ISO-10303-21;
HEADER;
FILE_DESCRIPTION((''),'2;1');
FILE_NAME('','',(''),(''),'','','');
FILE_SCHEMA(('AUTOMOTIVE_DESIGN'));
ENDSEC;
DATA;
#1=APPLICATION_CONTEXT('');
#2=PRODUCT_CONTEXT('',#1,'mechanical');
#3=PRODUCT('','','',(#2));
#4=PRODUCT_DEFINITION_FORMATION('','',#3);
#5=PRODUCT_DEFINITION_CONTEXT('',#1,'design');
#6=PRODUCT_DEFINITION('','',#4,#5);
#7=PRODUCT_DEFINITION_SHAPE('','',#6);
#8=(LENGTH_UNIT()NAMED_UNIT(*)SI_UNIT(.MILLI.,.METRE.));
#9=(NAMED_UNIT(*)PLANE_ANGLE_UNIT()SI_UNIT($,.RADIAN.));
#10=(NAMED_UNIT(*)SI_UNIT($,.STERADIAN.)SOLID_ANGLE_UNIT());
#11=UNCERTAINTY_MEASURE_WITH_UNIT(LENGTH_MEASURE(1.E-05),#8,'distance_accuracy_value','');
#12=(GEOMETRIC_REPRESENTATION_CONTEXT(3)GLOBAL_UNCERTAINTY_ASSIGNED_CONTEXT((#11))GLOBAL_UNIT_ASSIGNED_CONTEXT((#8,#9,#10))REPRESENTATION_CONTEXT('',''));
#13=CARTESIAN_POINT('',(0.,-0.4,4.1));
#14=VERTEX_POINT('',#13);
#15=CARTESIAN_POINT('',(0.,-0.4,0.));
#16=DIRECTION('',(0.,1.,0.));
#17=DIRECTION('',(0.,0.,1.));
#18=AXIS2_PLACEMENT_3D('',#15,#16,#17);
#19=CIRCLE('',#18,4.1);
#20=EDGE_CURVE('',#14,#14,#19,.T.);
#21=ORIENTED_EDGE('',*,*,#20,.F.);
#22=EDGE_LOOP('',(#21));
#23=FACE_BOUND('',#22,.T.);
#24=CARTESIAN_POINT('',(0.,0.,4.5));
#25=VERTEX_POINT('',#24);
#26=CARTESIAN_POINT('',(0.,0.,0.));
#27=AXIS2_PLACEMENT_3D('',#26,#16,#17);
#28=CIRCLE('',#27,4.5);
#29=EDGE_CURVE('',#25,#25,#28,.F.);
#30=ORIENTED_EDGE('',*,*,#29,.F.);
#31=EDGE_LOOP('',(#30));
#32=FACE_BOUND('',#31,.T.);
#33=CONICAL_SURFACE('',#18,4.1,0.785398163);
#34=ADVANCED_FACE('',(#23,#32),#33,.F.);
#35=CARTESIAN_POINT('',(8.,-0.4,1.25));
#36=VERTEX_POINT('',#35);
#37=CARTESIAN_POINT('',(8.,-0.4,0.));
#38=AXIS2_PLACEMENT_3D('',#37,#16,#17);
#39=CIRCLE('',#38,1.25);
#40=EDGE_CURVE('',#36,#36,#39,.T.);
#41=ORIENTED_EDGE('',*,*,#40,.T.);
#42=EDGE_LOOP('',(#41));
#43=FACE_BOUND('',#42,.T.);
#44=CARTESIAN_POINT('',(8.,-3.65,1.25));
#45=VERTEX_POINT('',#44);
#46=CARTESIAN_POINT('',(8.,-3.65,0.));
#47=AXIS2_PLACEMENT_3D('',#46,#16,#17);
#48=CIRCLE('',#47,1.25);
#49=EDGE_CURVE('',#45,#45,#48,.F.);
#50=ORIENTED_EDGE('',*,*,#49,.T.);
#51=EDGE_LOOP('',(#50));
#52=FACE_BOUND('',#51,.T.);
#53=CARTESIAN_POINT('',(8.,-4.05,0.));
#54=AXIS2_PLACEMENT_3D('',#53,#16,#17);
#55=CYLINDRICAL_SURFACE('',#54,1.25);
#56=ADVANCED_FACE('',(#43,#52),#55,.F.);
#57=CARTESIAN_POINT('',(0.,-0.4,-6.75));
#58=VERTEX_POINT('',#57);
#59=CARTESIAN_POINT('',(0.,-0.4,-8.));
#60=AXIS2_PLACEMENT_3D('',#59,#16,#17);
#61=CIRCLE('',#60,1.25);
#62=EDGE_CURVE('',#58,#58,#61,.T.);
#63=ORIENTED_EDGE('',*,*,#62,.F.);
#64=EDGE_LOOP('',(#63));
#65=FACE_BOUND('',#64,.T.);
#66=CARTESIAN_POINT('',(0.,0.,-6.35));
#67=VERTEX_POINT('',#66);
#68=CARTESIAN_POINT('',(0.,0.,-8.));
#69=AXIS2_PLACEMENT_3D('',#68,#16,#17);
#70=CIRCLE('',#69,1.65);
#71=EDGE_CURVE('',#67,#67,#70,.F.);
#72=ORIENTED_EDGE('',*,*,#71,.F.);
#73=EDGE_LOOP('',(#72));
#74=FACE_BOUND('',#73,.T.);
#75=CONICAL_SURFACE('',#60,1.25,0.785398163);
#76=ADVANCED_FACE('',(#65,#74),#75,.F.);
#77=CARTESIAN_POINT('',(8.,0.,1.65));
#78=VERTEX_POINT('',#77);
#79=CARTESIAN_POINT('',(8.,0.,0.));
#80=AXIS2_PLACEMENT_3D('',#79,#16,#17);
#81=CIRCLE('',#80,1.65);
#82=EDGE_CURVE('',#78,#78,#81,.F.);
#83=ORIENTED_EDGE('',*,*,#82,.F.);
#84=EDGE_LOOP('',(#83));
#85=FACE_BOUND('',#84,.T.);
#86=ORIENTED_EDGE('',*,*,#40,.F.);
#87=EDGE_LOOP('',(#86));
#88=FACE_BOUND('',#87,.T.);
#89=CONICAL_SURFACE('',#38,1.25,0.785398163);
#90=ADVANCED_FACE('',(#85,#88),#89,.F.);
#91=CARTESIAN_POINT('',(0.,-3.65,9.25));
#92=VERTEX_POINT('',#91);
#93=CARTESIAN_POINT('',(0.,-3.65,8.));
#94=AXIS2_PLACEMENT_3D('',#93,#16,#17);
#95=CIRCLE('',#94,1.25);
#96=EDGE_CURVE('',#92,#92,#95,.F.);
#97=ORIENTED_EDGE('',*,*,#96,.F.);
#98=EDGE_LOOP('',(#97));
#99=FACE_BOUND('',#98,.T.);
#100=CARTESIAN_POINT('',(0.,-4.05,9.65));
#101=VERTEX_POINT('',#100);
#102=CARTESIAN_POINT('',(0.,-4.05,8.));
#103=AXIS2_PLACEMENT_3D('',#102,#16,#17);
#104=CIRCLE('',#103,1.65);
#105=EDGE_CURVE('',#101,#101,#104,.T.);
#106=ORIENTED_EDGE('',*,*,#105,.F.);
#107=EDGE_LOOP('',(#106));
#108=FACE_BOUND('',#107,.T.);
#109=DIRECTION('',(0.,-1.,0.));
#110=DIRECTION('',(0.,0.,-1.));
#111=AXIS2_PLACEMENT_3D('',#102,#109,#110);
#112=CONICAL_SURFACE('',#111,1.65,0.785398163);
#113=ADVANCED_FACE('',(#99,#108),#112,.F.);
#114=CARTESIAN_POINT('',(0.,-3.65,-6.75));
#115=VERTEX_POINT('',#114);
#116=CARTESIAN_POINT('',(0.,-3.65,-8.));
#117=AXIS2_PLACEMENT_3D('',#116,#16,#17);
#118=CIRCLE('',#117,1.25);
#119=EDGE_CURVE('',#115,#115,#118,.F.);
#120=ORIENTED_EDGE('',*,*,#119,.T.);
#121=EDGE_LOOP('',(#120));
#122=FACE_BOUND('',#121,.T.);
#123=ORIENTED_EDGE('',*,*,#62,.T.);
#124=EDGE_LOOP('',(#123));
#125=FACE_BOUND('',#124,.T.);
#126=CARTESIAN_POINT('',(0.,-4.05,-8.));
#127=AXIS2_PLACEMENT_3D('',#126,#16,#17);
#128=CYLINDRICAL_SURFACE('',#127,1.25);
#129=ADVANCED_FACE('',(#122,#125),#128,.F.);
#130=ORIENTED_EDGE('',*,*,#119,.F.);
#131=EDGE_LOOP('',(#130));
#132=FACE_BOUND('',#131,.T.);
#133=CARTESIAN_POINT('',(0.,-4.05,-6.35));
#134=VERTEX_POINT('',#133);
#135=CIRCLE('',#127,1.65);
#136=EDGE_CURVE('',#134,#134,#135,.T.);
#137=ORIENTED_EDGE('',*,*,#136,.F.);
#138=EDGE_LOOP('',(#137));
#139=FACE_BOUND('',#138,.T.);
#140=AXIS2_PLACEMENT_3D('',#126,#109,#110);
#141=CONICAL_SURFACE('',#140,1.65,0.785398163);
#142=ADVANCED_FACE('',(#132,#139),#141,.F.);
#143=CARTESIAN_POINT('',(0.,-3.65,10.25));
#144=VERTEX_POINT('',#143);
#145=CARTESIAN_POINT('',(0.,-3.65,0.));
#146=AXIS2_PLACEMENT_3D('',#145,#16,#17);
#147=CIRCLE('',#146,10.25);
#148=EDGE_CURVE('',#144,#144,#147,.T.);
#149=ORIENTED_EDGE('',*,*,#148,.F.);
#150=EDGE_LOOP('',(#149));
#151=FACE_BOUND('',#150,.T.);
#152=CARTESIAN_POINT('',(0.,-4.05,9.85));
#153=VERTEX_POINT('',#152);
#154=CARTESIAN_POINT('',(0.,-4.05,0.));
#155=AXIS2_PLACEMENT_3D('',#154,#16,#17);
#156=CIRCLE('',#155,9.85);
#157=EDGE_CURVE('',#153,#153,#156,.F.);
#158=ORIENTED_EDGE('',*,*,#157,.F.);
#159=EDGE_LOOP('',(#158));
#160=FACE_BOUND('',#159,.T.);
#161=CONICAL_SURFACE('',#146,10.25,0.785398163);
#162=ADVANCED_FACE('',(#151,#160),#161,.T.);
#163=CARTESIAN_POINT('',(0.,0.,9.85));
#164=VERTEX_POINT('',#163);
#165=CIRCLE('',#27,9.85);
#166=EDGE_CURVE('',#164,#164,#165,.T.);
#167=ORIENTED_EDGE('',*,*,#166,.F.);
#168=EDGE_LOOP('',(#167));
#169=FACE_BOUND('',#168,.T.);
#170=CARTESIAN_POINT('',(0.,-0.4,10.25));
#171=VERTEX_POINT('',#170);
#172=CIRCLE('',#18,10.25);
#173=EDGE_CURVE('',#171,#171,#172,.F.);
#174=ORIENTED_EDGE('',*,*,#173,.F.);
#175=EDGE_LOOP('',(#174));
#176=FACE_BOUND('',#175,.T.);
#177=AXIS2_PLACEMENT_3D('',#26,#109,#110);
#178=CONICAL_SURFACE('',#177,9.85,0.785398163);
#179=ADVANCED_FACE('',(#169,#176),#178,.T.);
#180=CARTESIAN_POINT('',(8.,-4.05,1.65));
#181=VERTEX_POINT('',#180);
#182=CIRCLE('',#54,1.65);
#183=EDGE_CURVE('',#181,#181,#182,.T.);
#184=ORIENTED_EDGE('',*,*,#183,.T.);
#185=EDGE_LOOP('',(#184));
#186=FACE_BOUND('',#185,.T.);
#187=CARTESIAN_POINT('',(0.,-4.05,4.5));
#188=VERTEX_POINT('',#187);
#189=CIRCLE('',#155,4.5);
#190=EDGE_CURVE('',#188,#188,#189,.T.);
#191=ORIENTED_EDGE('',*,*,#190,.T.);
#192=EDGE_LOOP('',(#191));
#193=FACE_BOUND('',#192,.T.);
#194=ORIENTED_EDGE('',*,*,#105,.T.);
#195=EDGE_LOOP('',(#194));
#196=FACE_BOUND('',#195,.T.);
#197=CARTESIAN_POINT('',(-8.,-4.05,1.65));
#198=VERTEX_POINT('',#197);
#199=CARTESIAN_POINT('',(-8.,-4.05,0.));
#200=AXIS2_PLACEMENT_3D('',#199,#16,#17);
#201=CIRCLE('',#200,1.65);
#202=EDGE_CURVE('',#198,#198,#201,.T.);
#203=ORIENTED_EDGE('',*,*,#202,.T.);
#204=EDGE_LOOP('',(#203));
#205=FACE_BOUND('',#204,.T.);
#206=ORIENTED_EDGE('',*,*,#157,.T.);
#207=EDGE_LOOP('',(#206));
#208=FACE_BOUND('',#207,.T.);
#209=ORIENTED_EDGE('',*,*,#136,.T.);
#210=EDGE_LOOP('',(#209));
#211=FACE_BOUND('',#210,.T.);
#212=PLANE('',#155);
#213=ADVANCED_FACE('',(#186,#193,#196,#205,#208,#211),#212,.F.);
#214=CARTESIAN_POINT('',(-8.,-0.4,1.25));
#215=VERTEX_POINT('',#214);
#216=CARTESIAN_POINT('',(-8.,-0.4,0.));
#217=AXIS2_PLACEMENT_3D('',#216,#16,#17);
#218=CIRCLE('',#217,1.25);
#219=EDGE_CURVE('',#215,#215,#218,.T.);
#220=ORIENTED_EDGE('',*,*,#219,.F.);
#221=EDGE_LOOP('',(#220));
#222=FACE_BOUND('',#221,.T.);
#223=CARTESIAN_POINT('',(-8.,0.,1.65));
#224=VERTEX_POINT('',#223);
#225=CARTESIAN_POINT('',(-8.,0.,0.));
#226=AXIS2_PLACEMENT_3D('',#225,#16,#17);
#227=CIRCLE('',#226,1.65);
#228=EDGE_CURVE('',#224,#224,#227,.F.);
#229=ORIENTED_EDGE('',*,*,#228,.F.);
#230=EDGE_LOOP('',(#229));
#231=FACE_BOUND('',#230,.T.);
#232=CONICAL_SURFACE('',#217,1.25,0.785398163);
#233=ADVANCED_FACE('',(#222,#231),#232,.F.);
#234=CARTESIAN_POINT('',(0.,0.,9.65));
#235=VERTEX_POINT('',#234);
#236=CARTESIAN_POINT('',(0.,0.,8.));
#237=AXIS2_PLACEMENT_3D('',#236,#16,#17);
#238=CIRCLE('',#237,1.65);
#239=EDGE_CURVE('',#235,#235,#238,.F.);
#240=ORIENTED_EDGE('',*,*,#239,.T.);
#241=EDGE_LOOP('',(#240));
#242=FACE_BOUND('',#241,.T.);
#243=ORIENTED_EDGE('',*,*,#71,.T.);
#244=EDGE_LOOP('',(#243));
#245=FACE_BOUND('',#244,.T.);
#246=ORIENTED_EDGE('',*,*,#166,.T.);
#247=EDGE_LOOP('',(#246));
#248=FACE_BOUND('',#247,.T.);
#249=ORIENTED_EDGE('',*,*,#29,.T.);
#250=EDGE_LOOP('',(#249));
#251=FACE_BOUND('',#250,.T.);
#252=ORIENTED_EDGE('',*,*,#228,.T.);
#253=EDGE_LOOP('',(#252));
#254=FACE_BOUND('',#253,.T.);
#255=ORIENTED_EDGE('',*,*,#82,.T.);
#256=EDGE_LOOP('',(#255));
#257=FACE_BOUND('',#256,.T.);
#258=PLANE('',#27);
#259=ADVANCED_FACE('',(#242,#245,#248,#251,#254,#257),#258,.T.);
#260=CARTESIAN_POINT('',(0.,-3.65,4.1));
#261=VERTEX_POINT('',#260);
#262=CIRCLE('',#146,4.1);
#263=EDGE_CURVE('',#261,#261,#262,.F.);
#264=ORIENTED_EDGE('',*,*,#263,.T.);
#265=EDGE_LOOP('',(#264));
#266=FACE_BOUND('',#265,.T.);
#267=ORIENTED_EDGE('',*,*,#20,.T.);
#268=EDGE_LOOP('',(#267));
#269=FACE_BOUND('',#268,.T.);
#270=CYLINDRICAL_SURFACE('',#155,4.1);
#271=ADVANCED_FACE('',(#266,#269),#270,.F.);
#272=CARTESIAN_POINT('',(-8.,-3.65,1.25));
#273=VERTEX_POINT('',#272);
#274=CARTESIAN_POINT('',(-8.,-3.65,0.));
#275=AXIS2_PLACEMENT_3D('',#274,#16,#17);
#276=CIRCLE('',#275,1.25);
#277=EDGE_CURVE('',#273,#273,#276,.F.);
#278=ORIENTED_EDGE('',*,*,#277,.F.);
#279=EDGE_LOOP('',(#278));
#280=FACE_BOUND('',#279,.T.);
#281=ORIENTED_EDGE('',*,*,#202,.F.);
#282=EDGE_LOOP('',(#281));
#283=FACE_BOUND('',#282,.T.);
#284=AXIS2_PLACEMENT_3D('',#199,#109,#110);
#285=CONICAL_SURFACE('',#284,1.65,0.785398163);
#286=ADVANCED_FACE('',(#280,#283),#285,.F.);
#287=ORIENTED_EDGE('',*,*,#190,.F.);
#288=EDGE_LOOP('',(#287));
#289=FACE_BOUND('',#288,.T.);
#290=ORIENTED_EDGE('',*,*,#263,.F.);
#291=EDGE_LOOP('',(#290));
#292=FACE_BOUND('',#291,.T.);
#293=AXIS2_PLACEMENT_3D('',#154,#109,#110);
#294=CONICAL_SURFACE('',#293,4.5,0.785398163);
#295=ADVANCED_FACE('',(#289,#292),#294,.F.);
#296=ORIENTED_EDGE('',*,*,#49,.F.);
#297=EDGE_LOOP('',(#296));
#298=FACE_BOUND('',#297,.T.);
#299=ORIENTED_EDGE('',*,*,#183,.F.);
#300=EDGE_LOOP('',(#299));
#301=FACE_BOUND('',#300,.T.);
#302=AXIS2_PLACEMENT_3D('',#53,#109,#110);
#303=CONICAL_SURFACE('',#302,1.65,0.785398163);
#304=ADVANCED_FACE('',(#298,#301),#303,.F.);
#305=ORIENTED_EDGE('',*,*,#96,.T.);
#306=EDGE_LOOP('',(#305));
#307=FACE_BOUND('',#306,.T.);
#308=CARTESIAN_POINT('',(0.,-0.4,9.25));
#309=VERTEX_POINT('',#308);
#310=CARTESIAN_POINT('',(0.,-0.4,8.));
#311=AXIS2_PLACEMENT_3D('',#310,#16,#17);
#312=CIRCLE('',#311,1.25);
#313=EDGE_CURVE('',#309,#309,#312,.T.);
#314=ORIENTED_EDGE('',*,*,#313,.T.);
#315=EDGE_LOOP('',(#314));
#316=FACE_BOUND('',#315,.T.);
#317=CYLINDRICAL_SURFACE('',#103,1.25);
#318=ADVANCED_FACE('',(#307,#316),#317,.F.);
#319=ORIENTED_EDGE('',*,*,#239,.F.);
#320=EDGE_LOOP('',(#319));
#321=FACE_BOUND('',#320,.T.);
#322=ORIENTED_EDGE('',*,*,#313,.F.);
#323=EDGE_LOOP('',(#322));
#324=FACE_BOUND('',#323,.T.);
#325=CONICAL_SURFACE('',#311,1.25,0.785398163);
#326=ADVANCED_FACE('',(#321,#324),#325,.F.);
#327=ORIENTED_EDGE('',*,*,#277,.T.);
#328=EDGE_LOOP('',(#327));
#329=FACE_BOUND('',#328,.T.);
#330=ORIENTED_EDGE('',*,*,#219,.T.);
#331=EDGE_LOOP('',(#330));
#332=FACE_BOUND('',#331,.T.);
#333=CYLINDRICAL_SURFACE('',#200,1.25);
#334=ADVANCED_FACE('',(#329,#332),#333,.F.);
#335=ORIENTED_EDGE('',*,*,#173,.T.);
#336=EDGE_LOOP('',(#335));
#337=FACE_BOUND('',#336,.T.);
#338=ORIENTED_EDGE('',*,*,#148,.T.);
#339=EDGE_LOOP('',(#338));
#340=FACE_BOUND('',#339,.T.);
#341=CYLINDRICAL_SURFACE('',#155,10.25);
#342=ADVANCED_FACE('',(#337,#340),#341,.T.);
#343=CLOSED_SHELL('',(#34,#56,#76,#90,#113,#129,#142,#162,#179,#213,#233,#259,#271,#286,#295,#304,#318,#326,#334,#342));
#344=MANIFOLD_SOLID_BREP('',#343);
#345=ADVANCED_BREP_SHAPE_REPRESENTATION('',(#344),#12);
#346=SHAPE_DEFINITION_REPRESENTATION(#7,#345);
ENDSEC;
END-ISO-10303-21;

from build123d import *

# Parameters (mm, degrees)
SKETCH1_R           = 10.25
SKETCH1_R_2         = 4.1
BOSS_EXTRUDE1_DEPTH = 4.05
SKETCH4_R           = 1.25
CUT_EXTRUDE1_DEPTH  = 5.05
CIRPATTERN1_COUNT   = 4
CHAMFER1_SIZE       = 0.4


with BuildPart() as part:
    # Sketch1 → Boss-Extrude1 (new body)
    with BuildSketch(Plane(origin=(0, 0, 0), x_dir=(1, 0, 0), z_dir=(0, 1, 0))):
        Circle(SKETCH1_R)
        Circle(SKETCH1_R_2, mode=Mode.SUBTRACT)
    extrude(amount=-BOSS_EXTRUDE1_DEPTH)

    # Sketch4 → Cut-Extrude1 (cut, through all)
    with BuildSketch(Plane(origin=(0, 0, 0), x_dir=(1, 0, 0), z_dir=(0, 1, 0))):
        with Locations((0, 8)):
            Circle(SKETCH4_R)
    cut_extrude1 = extrude(amount=-CUT_EXTRUDE1_DEPTH, mode=Mode.SUBTRACT)

    # CirPattern1: Cut-Extrude1 ×4 about axis
    cirpattern1_axis = Axis((0, 0, 0), (0, 1, 0))
    for i in range(1, CIRPATTERN1_COUNT):
        add(cut_extrude1.rotate(cirpattern1_axis, i * 360 / CIRPATTERN1_COUNT), mode=Mode.SUBTRACT)

    # Chamfer1
    chamfer1_edges = [part.edges().sort_by_distance(p)[0] for p in [
        (-1.25, -4.05, -8),
        (-1.25, 0, -8),
        (-10.25, 0, 0),
        (-8, -4.05, 1.25),
        (-8, 0, 1.25),
        (1.25, -4.05, 8),
        (1.25, 0, 8),
        (8, -4.05, -1.25),
        (8, 0, -1.25),
        (-10.25, -4.05, 0),
        (-4.1, -4.05, 0),
        (-4.1, 0, 0),
    ]]
    chamfer(chamfer1_edges, length=CHAMFER1_SIZE)


solid = part.part
